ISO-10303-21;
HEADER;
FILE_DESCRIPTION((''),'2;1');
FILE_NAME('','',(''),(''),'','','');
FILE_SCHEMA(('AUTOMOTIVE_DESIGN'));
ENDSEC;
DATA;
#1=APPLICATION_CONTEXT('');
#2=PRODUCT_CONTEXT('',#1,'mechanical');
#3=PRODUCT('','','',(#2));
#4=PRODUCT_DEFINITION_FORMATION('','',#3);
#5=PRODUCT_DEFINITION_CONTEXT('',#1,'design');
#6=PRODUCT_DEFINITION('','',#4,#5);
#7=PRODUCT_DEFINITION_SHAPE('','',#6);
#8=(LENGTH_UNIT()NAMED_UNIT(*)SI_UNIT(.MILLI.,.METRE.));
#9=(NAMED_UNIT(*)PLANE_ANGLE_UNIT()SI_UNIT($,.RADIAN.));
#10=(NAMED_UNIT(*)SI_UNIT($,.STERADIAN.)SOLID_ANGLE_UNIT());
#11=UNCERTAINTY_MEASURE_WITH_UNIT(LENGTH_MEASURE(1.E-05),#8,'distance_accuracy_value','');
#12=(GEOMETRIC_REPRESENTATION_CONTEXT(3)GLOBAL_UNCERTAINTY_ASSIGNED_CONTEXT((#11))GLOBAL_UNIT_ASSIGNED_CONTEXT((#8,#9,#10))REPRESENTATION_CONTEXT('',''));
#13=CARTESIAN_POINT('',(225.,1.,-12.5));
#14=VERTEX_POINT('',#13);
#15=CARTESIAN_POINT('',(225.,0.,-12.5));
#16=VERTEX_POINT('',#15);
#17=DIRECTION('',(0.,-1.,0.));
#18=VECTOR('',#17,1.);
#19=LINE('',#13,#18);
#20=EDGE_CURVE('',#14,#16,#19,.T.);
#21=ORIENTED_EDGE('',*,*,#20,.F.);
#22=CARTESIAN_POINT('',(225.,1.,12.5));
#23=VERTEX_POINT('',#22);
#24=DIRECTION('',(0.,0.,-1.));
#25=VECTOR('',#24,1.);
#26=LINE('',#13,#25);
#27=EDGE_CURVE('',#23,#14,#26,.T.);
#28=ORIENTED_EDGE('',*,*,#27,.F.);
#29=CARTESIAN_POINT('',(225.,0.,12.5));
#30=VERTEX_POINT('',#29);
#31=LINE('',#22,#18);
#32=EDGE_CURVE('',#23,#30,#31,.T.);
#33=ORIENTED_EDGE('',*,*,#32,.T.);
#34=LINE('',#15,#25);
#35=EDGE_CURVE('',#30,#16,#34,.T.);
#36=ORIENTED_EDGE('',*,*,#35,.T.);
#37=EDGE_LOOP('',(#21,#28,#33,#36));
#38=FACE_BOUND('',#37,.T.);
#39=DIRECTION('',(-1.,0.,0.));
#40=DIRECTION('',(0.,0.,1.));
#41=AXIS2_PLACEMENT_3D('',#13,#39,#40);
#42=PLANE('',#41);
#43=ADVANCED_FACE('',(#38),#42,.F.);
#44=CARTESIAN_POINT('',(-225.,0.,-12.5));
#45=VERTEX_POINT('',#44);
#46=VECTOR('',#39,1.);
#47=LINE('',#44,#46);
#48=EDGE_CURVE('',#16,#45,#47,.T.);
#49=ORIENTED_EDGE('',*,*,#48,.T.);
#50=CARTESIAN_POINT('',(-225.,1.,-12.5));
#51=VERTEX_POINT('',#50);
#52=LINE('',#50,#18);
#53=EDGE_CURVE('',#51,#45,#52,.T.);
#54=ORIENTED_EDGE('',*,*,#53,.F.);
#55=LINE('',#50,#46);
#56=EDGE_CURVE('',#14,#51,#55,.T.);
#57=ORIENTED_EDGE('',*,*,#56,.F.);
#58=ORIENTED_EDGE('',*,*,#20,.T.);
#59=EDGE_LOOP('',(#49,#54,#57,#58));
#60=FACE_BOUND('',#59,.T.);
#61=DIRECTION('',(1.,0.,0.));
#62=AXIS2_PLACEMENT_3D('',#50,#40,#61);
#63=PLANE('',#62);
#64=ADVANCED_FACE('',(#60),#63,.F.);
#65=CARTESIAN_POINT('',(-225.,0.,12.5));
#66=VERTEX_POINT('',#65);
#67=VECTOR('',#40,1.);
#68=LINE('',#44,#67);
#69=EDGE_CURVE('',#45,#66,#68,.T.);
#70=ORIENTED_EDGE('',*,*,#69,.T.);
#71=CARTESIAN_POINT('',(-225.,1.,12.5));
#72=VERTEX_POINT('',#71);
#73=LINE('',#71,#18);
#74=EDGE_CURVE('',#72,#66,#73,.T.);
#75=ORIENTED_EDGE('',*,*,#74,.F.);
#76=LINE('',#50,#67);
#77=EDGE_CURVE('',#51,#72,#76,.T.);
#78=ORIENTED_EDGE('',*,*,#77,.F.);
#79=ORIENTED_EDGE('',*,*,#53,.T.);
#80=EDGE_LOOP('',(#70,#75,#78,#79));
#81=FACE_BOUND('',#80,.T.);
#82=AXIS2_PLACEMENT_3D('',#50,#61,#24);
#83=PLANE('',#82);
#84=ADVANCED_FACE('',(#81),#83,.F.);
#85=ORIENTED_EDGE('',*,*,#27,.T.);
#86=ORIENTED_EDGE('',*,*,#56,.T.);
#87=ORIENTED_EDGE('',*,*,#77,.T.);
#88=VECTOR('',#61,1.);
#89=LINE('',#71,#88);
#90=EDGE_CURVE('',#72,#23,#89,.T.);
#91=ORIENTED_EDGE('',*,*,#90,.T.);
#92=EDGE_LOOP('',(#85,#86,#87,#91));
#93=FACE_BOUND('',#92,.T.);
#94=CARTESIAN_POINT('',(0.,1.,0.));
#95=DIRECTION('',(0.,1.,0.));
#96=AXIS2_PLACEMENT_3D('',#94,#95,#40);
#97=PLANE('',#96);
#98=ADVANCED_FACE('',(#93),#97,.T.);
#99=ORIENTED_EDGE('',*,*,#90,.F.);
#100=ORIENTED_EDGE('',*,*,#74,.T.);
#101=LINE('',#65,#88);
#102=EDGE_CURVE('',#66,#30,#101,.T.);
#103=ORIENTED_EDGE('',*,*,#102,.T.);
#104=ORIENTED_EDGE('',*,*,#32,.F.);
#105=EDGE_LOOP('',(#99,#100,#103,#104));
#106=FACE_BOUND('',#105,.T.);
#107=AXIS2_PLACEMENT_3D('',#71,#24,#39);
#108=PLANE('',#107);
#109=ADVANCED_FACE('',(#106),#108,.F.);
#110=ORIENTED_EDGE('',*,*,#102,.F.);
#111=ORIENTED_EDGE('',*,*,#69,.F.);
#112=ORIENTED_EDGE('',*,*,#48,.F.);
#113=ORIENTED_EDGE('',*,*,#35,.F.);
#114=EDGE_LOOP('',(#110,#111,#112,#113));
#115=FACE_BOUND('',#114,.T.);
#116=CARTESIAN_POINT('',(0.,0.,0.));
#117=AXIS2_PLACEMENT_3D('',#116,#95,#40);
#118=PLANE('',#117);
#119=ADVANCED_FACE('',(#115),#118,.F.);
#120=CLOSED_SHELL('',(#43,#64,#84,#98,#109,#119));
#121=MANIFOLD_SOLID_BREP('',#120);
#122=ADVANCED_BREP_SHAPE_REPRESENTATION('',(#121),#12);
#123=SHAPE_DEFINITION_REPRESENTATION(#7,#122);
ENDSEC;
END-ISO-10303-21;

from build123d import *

# Parameters (mm, degrees)
SKETCH1_W           = 450
SKETCH1_H           = 25
BOSS_EXTRUDE1_DEPTH = 1


with BuildPart() as part:
    # Sketch1 → Boss-Extrude1 (new body)
    with BuildSketch(Plane(origin=(0, 0, 0), x_dir=(1, 0, 0), z_dir=(0, 1, 0))):
        Rectangle(SKETCH1_W, SKETCH1_H)
    extrude(amount=BOSS_EXTRUDE1_DEPTH)


solid = part.part
